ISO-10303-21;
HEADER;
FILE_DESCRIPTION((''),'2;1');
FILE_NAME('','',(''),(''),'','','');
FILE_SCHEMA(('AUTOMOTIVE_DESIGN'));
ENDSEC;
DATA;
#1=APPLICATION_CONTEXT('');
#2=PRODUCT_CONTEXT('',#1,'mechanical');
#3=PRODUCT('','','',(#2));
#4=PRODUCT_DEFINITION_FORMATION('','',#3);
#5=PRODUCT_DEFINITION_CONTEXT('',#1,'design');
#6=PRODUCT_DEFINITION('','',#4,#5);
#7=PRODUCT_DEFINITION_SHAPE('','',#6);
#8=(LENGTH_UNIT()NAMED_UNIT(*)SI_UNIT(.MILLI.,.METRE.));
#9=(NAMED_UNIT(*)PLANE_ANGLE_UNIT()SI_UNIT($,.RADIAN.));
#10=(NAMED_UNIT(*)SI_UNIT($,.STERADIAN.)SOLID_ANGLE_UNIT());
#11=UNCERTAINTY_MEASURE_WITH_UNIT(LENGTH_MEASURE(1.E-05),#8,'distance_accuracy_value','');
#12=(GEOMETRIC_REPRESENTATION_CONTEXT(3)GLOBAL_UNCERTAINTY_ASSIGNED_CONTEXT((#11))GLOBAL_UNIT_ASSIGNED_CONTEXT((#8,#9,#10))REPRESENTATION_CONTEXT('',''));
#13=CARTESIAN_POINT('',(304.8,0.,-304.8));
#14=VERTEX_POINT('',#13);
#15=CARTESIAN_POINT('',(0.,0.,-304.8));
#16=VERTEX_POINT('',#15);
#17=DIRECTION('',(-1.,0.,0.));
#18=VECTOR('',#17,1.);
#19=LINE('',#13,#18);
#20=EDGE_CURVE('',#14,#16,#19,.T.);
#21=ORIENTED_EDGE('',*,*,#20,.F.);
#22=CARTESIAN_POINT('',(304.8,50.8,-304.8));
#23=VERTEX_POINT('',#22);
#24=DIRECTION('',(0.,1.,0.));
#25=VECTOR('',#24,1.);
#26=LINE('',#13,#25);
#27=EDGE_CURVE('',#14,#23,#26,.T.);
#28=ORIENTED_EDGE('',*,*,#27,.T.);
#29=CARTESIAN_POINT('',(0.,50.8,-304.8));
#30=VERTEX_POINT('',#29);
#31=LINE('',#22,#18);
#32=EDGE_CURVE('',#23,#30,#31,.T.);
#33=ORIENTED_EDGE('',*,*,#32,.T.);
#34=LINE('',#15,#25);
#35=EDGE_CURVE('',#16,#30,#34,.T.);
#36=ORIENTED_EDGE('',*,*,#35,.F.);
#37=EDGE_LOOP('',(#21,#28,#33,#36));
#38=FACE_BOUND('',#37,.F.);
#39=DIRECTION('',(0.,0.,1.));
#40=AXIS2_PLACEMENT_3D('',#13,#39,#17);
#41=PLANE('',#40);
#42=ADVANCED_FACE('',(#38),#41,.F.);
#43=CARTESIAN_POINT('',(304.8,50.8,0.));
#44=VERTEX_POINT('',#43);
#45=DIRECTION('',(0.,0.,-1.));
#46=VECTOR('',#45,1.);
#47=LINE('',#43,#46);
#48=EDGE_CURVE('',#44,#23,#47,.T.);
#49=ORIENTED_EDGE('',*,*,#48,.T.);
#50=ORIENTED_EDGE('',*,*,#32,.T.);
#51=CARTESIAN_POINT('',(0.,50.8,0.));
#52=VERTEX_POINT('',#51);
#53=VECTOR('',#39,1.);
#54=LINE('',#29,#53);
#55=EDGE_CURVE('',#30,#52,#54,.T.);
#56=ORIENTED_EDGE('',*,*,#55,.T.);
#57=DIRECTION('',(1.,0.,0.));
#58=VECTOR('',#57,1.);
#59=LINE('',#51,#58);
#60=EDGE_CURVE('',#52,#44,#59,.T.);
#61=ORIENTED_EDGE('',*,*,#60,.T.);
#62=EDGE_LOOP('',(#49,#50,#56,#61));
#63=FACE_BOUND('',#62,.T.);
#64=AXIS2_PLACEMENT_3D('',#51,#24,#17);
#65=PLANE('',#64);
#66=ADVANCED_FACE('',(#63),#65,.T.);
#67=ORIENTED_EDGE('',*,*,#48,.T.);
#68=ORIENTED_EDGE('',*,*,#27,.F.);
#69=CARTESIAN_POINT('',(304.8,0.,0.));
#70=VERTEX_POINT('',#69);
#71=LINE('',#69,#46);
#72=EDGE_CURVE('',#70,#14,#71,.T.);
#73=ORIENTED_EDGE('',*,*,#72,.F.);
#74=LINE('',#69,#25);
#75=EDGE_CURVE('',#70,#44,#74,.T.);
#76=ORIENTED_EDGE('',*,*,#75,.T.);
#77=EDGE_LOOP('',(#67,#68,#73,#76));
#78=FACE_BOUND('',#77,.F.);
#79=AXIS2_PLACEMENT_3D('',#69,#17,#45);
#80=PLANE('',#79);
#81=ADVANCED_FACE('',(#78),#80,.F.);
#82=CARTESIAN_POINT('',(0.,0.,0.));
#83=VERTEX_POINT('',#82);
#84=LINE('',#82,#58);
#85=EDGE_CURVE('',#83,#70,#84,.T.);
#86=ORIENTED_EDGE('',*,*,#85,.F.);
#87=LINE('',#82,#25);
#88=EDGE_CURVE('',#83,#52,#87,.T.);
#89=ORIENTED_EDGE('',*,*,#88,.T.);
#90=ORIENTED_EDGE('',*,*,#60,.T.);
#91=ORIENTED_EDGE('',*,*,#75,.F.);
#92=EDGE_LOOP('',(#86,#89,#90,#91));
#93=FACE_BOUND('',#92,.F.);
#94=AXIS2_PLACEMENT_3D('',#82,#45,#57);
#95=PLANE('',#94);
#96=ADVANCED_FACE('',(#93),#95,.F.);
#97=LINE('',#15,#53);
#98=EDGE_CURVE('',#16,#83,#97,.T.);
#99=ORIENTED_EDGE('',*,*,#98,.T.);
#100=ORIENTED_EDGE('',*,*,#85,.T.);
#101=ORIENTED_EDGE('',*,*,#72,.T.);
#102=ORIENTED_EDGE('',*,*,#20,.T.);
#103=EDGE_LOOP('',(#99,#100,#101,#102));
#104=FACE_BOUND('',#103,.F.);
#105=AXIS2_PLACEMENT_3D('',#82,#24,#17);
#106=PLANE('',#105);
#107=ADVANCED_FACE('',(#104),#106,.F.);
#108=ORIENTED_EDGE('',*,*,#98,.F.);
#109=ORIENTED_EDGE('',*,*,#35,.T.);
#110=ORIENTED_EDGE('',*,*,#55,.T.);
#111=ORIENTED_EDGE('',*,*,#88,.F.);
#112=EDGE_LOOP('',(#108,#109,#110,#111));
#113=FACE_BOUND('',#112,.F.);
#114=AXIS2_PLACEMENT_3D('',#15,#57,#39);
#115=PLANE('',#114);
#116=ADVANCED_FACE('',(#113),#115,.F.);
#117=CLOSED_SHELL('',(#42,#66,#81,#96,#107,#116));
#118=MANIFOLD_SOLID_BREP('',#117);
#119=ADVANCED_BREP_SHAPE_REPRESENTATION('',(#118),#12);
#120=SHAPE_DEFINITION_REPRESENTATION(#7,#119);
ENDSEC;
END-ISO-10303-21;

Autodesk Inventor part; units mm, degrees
ref_plane "YZ Plane" through (0, 0, 0) normal (1, 0, 0) x (0, 1, 0)
ref_plane "XZ Plane" through (0, 0, 0) normal (0, 1, 0) x (-1, 0, 0)
ref_plane "XY Plane" through (0, 0, 0) normal (0, 0, 1) x (1, 0, 0)
sketch "Sketch2" plane through (0, 0, 0) normal (0, 1, 0) x (-1, 0, 0)
  line L0 (0, 0) -> (-304.8, 0)
  line L1 (-304.8, 0) -> (-304.8, -304.8)
  line L2 (-304.8, -304.8) -> (0, -304.8)
  line L3 (0, -304.8) -> (0, 0)
  dimension "d3" = 304.8
  dimension "d4" = 304.8
extrude "Extrusion1" add sketch "Sketch2" along normal blind 50.8
properties part number "12x12 - 150"
